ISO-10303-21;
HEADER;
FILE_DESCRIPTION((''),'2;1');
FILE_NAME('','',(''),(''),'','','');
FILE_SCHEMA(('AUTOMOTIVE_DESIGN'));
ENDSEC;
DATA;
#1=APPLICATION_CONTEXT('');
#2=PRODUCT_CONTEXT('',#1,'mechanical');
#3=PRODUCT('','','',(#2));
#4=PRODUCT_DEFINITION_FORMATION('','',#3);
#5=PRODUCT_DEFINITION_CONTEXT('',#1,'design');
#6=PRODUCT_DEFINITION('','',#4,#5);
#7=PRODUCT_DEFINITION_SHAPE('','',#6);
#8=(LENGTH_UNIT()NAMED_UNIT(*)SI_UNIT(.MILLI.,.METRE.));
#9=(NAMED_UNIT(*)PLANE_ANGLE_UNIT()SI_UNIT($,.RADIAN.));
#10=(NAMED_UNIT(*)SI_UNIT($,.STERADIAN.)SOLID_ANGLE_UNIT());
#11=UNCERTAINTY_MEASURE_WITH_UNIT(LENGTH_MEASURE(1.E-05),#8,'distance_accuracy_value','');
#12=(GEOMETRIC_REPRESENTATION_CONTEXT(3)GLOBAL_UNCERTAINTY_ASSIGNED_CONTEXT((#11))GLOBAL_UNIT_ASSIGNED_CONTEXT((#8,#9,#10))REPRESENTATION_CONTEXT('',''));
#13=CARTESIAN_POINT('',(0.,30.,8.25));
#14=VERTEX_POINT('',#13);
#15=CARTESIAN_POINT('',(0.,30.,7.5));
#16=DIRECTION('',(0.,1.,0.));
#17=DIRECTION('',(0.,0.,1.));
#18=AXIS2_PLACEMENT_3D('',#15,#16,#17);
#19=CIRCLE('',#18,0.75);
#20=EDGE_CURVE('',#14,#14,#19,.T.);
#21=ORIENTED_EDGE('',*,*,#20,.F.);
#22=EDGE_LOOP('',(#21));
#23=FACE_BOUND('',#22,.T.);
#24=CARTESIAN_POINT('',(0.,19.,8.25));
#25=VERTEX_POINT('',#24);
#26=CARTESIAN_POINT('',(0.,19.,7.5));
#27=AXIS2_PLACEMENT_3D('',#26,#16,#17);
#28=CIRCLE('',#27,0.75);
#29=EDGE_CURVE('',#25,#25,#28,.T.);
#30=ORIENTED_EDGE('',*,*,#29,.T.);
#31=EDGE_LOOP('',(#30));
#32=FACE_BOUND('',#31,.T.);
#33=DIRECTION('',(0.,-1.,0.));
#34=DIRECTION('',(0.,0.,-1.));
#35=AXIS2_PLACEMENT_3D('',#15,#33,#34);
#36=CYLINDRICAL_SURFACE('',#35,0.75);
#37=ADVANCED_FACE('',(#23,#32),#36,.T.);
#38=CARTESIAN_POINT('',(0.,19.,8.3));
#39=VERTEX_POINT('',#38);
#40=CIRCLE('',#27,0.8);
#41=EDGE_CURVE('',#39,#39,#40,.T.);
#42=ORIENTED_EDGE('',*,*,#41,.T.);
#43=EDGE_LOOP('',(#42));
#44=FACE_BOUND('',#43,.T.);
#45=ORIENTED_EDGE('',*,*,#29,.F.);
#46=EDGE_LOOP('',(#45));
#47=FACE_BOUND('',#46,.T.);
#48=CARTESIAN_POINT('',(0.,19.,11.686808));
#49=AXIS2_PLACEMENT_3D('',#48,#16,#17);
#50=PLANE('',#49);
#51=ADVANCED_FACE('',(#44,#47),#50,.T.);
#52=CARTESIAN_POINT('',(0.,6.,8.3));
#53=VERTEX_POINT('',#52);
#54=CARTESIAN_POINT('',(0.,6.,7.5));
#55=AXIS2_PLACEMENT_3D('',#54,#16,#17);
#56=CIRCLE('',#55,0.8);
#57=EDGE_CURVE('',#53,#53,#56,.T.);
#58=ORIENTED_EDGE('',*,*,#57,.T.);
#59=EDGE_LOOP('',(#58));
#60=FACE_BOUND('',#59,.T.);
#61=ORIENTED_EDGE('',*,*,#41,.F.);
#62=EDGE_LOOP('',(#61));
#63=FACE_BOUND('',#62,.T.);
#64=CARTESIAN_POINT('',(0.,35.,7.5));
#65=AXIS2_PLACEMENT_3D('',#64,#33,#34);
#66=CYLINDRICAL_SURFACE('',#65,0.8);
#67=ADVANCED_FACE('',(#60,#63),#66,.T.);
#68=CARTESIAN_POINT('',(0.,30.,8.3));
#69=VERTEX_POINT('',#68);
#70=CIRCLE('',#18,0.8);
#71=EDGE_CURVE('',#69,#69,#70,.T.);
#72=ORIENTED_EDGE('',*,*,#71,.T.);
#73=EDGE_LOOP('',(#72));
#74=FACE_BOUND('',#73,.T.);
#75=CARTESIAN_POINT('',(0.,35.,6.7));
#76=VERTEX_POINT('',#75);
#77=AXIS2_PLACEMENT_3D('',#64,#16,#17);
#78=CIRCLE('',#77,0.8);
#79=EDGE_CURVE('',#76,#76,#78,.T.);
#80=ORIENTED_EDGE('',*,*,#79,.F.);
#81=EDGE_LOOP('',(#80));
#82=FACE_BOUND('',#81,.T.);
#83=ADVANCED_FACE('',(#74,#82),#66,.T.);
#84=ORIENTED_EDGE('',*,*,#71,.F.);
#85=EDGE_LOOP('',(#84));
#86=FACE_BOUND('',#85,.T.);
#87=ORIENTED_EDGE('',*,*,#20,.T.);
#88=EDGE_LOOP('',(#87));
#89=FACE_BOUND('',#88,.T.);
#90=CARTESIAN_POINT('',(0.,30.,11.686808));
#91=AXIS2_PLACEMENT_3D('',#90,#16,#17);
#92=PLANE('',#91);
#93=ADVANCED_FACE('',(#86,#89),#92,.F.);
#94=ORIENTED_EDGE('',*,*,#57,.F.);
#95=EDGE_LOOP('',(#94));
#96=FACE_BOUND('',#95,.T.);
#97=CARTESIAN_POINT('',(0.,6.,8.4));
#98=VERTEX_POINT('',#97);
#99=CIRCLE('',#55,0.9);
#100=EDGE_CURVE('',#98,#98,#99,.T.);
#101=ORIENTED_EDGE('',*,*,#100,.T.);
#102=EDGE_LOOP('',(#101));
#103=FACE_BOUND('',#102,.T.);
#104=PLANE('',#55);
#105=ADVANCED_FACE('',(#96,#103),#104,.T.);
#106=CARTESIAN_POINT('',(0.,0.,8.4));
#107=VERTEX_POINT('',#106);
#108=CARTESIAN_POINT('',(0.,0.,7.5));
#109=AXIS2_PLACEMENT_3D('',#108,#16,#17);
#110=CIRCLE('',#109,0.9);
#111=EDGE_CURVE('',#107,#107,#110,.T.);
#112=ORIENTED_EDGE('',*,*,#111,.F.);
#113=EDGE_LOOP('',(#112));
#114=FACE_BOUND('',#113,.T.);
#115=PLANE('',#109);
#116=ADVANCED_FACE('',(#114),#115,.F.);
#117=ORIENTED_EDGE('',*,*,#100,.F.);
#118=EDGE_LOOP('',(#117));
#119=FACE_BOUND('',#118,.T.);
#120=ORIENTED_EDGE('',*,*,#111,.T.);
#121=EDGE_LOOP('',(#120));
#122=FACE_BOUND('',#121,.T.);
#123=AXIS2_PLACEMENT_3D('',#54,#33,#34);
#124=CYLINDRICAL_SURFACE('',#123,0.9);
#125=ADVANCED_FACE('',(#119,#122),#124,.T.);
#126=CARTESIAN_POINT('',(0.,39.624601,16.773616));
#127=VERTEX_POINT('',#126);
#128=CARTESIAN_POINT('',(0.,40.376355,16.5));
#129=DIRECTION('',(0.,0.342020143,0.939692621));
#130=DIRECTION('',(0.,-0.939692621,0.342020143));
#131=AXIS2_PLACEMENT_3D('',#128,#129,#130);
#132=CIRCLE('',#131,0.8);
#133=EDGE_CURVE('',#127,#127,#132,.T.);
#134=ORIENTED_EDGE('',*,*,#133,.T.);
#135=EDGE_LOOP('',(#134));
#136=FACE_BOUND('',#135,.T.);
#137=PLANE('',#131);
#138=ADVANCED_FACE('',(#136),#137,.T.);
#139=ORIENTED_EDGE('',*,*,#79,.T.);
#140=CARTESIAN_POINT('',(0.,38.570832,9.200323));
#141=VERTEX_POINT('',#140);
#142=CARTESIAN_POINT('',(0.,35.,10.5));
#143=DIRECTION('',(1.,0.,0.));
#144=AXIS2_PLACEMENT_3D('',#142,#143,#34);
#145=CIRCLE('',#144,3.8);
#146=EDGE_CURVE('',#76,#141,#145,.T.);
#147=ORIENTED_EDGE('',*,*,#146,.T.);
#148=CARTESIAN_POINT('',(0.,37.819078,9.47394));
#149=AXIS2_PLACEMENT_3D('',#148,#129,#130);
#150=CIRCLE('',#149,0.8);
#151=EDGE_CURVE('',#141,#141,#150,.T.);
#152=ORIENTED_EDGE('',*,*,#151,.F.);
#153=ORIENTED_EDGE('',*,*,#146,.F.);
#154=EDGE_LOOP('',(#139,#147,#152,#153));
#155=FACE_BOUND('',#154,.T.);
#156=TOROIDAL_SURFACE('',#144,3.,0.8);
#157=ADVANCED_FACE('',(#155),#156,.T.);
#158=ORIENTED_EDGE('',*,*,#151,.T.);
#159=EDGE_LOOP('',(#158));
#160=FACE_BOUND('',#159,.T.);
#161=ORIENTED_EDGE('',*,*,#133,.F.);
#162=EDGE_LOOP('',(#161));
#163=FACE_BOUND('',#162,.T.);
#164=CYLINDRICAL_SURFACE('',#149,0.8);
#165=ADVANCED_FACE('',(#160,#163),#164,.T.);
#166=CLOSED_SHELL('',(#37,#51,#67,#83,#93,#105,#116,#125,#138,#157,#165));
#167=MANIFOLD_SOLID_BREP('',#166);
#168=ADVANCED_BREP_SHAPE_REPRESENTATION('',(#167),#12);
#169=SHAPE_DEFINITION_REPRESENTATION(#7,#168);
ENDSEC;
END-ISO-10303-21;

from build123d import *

# Parameters (mm, degrees)
SKETCH2_R         = 0.8
SKETCH4_R         = 0.9
EXTRUDE1_DEPTH    = 6
SKETCH5_OUTSIDE_W = 12.282
SKETCH5_OUTSIDE_H = 20.656
SKETCH5_OUTSIDE_R = 0.75
EXTRUDE3_DEPTH    = 11


with BuildPart() as part:
    # Sweep1: sweep along a path in Sketch1
    with BuildLine(Plane(origin=(0, 0, 0), x_dir=(0, 0, -1), z_dir=(1, 0, 0))) as sweep1_path:
        Line((-7.5, 0), (-7.5, 35))
        ThreePointArc((-7.5, 35), (-8.042543867, 36.720729309), (-9.47393957, 37.819077862))
        Line((-9.47393957, 37.819077862), (-16.5, 40.376354723))
    # Sketch2 → Sweep1 (sweep)
    with BuildSketch(Plane(origin=(0, 0, 0), x_dir=(1, 0, 0), z_dir=(0, 1, 0))):
        with Locations((0, -7.5)):
            Circle(SKETCH2_R)
    sweep(path=sweep1_path.line)

    # Sketch4 → Extrude1 (add)
    with BuildSketch(Plane(origin=(0, 0, 0), x_dir=(1, 0, 0), z_dir=(0, 1, 0))):
        with Locations((0, -7.5)):
            Circle(SKETCH4_R)
    extrude(amount=EXTRUDE1_DEPTH)

    # Sketch5 outside → Extrude3 (cut)
    with BuildSketch(Plane(origin=(0, 19, 0), x_dir=(-1, 0, 0), z_dir=(0, 1, 0))):
        with Locations((0, 11.687)):
            Rectangle(SKETCH5_OUTSIDE_W, SKETCH5_OUTSIDE_H)
        with Locations((0, 7.5)):
            Circle(SKETCH5_OUTSIDE_R, mode=Mode.SUBTRACT)
    extrude(amount=EXTRUDE3_DEPTH, mode=Mode.SUBTRACT)


solid = part.part
